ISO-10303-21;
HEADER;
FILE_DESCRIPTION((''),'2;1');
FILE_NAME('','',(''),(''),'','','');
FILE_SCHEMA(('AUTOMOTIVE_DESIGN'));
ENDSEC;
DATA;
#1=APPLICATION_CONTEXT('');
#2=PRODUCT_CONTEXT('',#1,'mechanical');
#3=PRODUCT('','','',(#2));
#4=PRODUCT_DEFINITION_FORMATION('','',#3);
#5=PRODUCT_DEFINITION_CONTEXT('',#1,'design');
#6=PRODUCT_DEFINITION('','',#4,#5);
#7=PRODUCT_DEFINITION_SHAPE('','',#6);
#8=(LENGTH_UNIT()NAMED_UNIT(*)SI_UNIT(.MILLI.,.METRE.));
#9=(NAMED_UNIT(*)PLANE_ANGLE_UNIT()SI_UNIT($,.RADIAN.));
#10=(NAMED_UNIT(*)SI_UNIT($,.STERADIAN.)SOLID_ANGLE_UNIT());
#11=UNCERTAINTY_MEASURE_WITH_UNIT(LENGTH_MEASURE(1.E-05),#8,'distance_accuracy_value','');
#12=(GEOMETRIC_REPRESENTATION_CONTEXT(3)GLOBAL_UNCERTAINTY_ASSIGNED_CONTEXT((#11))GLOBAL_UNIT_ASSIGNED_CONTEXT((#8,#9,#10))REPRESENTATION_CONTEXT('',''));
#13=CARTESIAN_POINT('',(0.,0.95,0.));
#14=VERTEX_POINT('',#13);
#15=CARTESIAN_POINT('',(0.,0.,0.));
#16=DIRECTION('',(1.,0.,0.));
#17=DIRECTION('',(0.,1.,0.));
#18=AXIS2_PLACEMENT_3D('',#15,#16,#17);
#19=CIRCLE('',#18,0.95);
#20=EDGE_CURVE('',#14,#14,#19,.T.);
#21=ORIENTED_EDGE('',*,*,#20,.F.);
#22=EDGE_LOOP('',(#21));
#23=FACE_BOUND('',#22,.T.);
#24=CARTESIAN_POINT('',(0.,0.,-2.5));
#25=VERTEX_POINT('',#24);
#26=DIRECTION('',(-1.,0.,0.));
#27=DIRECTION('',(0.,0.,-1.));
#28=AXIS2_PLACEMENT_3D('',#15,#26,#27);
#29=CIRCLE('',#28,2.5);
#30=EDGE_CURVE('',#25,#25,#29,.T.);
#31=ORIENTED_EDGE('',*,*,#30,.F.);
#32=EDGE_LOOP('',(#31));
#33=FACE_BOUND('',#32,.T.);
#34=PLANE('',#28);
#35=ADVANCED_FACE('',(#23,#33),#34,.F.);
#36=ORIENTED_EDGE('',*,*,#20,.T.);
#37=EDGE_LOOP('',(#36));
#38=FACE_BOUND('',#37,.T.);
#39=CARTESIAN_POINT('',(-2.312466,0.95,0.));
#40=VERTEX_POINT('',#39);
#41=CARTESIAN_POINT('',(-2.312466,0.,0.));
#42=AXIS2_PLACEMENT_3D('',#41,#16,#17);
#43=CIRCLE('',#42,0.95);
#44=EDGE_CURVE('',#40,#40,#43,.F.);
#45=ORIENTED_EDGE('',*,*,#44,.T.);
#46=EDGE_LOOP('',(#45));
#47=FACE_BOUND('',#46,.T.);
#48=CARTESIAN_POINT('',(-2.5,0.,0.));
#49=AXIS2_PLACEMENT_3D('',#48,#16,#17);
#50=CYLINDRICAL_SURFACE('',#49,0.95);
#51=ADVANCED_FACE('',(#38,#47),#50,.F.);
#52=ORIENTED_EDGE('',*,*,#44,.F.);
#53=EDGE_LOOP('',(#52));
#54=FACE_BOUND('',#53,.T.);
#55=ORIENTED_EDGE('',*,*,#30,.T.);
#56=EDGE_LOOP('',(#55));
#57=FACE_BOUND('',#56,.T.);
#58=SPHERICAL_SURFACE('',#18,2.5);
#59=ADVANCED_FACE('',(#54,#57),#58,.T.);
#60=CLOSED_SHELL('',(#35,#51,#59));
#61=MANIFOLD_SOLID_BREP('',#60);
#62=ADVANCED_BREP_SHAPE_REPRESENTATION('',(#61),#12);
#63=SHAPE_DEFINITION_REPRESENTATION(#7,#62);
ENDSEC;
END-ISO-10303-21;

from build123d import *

# Parameters (mm, degrees)
REVOLVE_1_ANGLE     = 180
SKETCH_2_R          = 0.95
CUT_EXTRUDE_1_DEPTH = 5.330127019


with BuildPart() as part:
    # 草图1 → 旋转1 (revolve)
    with BuildSketch(Plane(origin=(0, 0, 0), x_dir=(0, 0, -1), z_dir=(1, 0, 0))):
        with BuildLine():
            Line((-2.5, 0), (2.5, 0))
            ThreePointArc((2.5, 0), (0, -2.5), (-2.5, 0))
        make_face()
    revolve(axis=Axis((0, 0, 2.5), (0, 0, -1)), revolution_arc=REVOLVE_1_ANGLE)

    # 草图2 → 切除-拉伸1 (cut, through all)
    with BuildSketch(Plane(origin=(0, 0, 0), x_dir=(0, 0, -1), z_dir=(1, 0, 0))):
        with Locations(Location((0, 0, 0), (0, 0, 90))):
            Circle(SKETCH_2_R)
    extrude(amount=-CUT_EXTRUDE_1_DEPTH, mode=Mode.SUBTRACT)


solid = part.part
